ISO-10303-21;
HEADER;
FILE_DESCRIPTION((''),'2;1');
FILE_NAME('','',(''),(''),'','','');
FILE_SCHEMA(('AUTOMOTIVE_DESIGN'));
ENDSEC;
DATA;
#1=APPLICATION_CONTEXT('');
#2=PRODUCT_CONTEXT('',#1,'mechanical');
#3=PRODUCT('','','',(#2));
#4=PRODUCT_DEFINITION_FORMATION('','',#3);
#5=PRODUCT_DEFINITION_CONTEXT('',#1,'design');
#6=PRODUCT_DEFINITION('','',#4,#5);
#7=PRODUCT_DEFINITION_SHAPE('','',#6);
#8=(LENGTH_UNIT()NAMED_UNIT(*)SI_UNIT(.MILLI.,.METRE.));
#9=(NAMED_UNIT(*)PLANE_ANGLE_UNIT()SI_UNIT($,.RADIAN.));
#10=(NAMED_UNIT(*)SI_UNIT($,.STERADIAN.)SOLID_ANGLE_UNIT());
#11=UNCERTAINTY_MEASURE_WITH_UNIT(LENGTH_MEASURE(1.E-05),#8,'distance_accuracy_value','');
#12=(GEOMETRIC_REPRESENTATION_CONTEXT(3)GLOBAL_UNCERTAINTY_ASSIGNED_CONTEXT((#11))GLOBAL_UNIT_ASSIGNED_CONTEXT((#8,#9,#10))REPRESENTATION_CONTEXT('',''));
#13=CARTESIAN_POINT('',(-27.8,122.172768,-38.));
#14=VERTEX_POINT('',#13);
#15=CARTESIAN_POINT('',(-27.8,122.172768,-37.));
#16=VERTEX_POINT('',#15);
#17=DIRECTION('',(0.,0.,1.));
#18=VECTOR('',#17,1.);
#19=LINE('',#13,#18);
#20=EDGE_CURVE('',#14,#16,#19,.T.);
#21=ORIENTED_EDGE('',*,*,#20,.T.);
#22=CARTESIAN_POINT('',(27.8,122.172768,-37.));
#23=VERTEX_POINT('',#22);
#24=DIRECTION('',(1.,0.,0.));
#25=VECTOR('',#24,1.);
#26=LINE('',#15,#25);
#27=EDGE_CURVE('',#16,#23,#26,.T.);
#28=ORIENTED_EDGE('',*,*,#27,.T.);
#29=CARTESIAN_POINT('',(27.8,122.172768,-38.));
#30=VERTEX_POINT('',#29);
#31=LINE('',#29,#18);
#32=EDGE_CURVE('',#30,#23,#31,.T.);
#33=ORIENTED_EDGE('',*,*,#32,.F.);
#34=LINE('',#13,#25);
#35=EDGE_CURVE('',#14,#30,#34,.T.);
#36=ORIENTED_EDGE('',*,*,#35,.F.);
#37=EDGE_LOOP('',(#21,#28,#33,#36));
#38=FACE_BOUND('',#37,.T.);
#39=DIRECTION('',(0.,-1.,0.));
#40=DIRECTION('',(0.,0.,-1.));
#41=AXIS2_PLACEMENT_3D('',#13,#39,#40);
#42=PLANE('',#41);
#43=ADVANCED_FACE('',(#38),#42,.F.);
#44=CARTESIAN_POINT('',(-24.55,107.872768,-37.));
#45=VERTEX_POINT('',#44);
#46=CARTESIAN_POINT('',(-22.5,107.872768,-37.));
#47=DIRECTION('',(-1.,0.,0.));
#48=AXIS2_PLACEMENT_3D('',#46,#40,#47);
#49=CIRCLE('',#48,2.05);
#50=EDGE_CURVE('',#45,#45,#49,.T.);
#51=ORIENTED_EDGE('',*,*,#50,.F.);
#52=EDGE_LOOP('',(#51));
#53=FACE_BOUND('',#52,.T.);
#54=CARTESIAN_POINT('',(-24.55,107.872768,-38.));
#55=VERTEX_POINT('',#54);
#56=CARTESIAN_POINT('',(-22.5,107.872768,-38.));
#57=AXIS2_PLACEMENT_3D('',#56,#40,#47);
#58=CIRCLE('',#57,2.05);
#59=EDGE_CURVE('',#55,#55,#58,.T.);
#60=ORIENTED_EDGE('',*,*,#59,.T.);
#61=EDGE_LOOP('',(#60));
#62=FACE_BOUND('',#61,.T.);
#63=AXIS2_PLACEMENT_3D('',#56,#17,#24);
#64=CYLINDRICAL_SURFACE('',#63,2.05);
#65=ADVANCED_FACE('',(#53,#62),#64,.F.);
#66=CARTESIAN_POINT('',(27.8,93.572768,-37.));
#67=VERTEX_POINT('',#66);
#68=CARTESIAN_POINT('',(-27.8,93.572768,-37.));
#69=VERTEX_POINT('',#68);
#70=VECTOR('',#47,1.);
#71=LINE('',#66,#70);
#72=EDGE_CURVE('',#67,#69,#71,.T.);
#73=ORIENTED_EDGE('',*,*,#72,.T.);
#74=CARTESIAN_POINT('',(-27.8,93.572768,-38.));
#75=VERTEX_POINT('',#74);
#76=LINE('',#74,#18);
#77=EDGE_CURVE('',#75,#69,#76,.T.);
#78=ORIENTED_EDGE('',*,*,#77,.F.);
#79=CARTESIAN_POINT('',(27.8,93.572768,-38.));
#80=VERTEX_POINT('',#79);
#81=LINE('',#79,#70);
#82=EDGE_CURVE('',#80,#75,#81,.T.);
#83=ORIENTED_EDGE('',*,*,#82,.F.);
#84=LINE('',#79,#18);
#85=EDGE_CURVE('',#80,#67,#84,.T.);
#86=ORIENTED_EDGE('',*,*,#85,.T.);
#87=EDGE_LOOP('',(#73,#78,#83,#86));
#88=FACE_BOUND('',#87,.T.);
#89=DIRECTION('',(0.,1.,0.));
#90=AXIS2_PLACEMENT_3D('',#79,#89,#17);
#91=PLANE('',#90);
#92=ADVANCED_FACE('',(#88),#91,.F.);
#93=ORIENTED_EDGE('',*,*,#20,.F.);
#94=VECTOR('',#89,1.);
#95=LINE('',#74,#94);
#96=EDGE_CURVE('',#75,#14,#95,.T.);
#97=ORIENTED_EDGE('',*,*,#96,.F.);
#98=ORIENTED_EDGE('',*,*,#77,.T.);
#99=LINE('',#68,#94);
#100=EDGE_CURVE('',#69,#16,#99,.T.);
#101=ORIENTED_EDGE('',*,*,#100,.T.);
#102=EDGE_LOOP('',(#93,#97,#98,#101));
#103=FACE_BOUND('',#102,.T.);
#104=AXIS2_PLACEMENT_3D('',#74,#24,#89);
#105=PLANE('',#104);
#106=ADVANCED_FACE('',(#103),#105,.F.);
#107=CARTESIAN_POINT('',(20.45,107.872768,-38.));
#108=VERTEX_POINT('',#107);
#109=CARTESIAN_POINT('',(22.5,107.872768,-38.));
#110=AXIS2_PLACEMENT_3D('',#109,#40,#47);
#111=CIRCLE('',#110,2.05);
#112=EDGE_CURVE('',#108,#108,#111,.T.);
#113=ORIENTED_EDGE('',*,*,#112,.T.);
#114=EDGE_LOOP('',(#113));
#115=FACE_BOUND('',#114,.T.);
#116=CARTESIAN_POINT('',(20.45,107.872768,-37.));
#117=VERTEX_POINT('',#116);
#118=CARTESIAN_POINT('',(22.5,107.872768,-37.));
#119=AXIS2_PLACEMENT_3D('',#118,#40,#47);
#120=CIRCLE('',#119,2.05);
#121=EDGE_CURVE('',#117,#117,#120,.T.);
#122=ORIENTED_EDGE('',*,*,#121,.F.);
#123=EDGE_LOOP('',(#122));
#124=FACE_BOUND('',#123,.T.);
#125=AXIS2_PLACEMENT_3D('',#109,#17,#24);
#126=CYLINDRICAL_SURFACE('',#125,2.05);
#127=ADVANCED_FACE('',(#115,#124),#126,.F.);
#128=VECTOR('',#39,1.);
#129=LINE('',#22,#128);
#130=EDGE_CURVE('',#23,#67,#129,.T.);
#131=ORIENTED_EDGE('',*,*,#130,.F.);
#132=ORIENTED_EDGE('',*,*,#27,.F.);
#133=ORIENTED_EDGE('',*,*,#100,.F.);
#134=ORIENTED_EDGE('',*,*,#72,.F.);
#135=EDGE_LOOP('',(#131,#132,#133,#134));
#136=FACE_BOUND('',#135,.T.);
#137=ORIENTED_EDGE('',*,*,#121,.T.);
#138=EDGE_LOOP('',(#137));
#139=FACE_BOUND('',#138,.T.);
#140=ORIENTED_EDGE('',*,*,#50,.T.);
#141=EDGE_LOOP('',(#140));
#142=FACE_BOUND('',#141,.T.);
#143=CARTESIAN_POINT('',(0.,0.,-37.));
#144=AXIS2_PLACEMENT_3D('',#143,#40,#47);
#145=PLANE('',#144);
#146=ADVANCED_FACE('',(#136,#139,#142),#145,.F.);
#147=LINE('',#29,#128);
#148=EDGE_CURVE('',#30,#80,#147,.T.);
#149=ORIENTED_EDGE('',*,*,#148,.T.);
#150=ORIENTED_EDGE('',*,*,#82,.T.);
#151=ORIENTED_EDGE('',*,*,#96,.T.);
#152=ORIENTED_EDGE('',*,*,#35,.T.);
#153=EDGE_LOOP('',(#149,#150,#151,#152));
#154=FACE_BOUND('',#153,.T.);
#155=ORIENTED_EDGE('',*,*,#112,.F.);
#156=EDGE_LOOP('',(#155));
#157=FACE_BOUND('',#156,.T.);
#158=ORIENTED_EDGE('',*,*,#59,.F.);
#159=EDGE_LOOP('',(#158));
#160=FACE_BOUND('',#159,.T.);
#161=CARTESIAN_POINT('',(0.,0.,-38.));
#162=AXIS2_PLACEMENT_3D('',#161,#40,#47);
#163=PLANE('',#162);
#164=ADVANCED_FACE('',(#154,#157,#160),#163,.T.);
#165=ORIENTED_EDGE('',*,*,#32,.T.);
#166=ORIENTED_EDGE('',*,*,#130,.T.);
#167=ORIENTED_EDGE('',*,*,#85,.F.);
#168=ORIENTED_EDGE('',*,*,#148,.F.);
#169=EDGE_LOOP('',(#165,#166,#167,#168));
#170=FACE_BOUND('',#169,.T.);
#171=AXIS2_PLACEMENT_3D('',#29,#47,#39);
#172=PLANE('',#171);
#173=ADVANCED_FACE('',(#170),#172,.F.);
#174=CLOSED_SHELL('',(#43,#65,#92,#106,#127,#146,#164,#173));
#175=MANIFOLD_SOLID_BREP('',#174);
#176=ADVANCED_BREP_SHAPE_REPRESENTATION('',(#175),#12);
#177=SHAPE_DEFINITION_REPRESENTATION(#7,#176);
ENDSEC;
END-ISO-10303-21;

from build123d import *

# Parameters (mm, degrees)
SKIZZE1_W                       = 55.6
SKIZZE1_H                       = 28.6
SKIZZE1_R                       = 2.05
AUFSATZ_LINEAR_AUSTRAGEN1_DEPTH = 1


with BuildPart() as part:
    # Skizze1 → Aufsatz-Linear austragen1 (new body)
    with BuildSketch(Plane(origin=(0, 0, -37), x_dir=(-1, 0, 0), z_dir=(0, 0, -1))):
        with Locations((0, 107.872767975)):
            Rectangle(SKIZZE1_W, SKIZZE1_H)
        with Locations((-22.5, 107.872767975)):
            Circle(SKIZZE1_R, mode=Mode.SUBTRACT)
        with Locations((22.5, 107.872767975)):
            Circle(SKIZZE1_R, mode=Mode.SUBTRACT)
    extrude(amount=AUFSATZ_LINEAR_AUSTRAGEN1_DEPTH)


solid = part.part
